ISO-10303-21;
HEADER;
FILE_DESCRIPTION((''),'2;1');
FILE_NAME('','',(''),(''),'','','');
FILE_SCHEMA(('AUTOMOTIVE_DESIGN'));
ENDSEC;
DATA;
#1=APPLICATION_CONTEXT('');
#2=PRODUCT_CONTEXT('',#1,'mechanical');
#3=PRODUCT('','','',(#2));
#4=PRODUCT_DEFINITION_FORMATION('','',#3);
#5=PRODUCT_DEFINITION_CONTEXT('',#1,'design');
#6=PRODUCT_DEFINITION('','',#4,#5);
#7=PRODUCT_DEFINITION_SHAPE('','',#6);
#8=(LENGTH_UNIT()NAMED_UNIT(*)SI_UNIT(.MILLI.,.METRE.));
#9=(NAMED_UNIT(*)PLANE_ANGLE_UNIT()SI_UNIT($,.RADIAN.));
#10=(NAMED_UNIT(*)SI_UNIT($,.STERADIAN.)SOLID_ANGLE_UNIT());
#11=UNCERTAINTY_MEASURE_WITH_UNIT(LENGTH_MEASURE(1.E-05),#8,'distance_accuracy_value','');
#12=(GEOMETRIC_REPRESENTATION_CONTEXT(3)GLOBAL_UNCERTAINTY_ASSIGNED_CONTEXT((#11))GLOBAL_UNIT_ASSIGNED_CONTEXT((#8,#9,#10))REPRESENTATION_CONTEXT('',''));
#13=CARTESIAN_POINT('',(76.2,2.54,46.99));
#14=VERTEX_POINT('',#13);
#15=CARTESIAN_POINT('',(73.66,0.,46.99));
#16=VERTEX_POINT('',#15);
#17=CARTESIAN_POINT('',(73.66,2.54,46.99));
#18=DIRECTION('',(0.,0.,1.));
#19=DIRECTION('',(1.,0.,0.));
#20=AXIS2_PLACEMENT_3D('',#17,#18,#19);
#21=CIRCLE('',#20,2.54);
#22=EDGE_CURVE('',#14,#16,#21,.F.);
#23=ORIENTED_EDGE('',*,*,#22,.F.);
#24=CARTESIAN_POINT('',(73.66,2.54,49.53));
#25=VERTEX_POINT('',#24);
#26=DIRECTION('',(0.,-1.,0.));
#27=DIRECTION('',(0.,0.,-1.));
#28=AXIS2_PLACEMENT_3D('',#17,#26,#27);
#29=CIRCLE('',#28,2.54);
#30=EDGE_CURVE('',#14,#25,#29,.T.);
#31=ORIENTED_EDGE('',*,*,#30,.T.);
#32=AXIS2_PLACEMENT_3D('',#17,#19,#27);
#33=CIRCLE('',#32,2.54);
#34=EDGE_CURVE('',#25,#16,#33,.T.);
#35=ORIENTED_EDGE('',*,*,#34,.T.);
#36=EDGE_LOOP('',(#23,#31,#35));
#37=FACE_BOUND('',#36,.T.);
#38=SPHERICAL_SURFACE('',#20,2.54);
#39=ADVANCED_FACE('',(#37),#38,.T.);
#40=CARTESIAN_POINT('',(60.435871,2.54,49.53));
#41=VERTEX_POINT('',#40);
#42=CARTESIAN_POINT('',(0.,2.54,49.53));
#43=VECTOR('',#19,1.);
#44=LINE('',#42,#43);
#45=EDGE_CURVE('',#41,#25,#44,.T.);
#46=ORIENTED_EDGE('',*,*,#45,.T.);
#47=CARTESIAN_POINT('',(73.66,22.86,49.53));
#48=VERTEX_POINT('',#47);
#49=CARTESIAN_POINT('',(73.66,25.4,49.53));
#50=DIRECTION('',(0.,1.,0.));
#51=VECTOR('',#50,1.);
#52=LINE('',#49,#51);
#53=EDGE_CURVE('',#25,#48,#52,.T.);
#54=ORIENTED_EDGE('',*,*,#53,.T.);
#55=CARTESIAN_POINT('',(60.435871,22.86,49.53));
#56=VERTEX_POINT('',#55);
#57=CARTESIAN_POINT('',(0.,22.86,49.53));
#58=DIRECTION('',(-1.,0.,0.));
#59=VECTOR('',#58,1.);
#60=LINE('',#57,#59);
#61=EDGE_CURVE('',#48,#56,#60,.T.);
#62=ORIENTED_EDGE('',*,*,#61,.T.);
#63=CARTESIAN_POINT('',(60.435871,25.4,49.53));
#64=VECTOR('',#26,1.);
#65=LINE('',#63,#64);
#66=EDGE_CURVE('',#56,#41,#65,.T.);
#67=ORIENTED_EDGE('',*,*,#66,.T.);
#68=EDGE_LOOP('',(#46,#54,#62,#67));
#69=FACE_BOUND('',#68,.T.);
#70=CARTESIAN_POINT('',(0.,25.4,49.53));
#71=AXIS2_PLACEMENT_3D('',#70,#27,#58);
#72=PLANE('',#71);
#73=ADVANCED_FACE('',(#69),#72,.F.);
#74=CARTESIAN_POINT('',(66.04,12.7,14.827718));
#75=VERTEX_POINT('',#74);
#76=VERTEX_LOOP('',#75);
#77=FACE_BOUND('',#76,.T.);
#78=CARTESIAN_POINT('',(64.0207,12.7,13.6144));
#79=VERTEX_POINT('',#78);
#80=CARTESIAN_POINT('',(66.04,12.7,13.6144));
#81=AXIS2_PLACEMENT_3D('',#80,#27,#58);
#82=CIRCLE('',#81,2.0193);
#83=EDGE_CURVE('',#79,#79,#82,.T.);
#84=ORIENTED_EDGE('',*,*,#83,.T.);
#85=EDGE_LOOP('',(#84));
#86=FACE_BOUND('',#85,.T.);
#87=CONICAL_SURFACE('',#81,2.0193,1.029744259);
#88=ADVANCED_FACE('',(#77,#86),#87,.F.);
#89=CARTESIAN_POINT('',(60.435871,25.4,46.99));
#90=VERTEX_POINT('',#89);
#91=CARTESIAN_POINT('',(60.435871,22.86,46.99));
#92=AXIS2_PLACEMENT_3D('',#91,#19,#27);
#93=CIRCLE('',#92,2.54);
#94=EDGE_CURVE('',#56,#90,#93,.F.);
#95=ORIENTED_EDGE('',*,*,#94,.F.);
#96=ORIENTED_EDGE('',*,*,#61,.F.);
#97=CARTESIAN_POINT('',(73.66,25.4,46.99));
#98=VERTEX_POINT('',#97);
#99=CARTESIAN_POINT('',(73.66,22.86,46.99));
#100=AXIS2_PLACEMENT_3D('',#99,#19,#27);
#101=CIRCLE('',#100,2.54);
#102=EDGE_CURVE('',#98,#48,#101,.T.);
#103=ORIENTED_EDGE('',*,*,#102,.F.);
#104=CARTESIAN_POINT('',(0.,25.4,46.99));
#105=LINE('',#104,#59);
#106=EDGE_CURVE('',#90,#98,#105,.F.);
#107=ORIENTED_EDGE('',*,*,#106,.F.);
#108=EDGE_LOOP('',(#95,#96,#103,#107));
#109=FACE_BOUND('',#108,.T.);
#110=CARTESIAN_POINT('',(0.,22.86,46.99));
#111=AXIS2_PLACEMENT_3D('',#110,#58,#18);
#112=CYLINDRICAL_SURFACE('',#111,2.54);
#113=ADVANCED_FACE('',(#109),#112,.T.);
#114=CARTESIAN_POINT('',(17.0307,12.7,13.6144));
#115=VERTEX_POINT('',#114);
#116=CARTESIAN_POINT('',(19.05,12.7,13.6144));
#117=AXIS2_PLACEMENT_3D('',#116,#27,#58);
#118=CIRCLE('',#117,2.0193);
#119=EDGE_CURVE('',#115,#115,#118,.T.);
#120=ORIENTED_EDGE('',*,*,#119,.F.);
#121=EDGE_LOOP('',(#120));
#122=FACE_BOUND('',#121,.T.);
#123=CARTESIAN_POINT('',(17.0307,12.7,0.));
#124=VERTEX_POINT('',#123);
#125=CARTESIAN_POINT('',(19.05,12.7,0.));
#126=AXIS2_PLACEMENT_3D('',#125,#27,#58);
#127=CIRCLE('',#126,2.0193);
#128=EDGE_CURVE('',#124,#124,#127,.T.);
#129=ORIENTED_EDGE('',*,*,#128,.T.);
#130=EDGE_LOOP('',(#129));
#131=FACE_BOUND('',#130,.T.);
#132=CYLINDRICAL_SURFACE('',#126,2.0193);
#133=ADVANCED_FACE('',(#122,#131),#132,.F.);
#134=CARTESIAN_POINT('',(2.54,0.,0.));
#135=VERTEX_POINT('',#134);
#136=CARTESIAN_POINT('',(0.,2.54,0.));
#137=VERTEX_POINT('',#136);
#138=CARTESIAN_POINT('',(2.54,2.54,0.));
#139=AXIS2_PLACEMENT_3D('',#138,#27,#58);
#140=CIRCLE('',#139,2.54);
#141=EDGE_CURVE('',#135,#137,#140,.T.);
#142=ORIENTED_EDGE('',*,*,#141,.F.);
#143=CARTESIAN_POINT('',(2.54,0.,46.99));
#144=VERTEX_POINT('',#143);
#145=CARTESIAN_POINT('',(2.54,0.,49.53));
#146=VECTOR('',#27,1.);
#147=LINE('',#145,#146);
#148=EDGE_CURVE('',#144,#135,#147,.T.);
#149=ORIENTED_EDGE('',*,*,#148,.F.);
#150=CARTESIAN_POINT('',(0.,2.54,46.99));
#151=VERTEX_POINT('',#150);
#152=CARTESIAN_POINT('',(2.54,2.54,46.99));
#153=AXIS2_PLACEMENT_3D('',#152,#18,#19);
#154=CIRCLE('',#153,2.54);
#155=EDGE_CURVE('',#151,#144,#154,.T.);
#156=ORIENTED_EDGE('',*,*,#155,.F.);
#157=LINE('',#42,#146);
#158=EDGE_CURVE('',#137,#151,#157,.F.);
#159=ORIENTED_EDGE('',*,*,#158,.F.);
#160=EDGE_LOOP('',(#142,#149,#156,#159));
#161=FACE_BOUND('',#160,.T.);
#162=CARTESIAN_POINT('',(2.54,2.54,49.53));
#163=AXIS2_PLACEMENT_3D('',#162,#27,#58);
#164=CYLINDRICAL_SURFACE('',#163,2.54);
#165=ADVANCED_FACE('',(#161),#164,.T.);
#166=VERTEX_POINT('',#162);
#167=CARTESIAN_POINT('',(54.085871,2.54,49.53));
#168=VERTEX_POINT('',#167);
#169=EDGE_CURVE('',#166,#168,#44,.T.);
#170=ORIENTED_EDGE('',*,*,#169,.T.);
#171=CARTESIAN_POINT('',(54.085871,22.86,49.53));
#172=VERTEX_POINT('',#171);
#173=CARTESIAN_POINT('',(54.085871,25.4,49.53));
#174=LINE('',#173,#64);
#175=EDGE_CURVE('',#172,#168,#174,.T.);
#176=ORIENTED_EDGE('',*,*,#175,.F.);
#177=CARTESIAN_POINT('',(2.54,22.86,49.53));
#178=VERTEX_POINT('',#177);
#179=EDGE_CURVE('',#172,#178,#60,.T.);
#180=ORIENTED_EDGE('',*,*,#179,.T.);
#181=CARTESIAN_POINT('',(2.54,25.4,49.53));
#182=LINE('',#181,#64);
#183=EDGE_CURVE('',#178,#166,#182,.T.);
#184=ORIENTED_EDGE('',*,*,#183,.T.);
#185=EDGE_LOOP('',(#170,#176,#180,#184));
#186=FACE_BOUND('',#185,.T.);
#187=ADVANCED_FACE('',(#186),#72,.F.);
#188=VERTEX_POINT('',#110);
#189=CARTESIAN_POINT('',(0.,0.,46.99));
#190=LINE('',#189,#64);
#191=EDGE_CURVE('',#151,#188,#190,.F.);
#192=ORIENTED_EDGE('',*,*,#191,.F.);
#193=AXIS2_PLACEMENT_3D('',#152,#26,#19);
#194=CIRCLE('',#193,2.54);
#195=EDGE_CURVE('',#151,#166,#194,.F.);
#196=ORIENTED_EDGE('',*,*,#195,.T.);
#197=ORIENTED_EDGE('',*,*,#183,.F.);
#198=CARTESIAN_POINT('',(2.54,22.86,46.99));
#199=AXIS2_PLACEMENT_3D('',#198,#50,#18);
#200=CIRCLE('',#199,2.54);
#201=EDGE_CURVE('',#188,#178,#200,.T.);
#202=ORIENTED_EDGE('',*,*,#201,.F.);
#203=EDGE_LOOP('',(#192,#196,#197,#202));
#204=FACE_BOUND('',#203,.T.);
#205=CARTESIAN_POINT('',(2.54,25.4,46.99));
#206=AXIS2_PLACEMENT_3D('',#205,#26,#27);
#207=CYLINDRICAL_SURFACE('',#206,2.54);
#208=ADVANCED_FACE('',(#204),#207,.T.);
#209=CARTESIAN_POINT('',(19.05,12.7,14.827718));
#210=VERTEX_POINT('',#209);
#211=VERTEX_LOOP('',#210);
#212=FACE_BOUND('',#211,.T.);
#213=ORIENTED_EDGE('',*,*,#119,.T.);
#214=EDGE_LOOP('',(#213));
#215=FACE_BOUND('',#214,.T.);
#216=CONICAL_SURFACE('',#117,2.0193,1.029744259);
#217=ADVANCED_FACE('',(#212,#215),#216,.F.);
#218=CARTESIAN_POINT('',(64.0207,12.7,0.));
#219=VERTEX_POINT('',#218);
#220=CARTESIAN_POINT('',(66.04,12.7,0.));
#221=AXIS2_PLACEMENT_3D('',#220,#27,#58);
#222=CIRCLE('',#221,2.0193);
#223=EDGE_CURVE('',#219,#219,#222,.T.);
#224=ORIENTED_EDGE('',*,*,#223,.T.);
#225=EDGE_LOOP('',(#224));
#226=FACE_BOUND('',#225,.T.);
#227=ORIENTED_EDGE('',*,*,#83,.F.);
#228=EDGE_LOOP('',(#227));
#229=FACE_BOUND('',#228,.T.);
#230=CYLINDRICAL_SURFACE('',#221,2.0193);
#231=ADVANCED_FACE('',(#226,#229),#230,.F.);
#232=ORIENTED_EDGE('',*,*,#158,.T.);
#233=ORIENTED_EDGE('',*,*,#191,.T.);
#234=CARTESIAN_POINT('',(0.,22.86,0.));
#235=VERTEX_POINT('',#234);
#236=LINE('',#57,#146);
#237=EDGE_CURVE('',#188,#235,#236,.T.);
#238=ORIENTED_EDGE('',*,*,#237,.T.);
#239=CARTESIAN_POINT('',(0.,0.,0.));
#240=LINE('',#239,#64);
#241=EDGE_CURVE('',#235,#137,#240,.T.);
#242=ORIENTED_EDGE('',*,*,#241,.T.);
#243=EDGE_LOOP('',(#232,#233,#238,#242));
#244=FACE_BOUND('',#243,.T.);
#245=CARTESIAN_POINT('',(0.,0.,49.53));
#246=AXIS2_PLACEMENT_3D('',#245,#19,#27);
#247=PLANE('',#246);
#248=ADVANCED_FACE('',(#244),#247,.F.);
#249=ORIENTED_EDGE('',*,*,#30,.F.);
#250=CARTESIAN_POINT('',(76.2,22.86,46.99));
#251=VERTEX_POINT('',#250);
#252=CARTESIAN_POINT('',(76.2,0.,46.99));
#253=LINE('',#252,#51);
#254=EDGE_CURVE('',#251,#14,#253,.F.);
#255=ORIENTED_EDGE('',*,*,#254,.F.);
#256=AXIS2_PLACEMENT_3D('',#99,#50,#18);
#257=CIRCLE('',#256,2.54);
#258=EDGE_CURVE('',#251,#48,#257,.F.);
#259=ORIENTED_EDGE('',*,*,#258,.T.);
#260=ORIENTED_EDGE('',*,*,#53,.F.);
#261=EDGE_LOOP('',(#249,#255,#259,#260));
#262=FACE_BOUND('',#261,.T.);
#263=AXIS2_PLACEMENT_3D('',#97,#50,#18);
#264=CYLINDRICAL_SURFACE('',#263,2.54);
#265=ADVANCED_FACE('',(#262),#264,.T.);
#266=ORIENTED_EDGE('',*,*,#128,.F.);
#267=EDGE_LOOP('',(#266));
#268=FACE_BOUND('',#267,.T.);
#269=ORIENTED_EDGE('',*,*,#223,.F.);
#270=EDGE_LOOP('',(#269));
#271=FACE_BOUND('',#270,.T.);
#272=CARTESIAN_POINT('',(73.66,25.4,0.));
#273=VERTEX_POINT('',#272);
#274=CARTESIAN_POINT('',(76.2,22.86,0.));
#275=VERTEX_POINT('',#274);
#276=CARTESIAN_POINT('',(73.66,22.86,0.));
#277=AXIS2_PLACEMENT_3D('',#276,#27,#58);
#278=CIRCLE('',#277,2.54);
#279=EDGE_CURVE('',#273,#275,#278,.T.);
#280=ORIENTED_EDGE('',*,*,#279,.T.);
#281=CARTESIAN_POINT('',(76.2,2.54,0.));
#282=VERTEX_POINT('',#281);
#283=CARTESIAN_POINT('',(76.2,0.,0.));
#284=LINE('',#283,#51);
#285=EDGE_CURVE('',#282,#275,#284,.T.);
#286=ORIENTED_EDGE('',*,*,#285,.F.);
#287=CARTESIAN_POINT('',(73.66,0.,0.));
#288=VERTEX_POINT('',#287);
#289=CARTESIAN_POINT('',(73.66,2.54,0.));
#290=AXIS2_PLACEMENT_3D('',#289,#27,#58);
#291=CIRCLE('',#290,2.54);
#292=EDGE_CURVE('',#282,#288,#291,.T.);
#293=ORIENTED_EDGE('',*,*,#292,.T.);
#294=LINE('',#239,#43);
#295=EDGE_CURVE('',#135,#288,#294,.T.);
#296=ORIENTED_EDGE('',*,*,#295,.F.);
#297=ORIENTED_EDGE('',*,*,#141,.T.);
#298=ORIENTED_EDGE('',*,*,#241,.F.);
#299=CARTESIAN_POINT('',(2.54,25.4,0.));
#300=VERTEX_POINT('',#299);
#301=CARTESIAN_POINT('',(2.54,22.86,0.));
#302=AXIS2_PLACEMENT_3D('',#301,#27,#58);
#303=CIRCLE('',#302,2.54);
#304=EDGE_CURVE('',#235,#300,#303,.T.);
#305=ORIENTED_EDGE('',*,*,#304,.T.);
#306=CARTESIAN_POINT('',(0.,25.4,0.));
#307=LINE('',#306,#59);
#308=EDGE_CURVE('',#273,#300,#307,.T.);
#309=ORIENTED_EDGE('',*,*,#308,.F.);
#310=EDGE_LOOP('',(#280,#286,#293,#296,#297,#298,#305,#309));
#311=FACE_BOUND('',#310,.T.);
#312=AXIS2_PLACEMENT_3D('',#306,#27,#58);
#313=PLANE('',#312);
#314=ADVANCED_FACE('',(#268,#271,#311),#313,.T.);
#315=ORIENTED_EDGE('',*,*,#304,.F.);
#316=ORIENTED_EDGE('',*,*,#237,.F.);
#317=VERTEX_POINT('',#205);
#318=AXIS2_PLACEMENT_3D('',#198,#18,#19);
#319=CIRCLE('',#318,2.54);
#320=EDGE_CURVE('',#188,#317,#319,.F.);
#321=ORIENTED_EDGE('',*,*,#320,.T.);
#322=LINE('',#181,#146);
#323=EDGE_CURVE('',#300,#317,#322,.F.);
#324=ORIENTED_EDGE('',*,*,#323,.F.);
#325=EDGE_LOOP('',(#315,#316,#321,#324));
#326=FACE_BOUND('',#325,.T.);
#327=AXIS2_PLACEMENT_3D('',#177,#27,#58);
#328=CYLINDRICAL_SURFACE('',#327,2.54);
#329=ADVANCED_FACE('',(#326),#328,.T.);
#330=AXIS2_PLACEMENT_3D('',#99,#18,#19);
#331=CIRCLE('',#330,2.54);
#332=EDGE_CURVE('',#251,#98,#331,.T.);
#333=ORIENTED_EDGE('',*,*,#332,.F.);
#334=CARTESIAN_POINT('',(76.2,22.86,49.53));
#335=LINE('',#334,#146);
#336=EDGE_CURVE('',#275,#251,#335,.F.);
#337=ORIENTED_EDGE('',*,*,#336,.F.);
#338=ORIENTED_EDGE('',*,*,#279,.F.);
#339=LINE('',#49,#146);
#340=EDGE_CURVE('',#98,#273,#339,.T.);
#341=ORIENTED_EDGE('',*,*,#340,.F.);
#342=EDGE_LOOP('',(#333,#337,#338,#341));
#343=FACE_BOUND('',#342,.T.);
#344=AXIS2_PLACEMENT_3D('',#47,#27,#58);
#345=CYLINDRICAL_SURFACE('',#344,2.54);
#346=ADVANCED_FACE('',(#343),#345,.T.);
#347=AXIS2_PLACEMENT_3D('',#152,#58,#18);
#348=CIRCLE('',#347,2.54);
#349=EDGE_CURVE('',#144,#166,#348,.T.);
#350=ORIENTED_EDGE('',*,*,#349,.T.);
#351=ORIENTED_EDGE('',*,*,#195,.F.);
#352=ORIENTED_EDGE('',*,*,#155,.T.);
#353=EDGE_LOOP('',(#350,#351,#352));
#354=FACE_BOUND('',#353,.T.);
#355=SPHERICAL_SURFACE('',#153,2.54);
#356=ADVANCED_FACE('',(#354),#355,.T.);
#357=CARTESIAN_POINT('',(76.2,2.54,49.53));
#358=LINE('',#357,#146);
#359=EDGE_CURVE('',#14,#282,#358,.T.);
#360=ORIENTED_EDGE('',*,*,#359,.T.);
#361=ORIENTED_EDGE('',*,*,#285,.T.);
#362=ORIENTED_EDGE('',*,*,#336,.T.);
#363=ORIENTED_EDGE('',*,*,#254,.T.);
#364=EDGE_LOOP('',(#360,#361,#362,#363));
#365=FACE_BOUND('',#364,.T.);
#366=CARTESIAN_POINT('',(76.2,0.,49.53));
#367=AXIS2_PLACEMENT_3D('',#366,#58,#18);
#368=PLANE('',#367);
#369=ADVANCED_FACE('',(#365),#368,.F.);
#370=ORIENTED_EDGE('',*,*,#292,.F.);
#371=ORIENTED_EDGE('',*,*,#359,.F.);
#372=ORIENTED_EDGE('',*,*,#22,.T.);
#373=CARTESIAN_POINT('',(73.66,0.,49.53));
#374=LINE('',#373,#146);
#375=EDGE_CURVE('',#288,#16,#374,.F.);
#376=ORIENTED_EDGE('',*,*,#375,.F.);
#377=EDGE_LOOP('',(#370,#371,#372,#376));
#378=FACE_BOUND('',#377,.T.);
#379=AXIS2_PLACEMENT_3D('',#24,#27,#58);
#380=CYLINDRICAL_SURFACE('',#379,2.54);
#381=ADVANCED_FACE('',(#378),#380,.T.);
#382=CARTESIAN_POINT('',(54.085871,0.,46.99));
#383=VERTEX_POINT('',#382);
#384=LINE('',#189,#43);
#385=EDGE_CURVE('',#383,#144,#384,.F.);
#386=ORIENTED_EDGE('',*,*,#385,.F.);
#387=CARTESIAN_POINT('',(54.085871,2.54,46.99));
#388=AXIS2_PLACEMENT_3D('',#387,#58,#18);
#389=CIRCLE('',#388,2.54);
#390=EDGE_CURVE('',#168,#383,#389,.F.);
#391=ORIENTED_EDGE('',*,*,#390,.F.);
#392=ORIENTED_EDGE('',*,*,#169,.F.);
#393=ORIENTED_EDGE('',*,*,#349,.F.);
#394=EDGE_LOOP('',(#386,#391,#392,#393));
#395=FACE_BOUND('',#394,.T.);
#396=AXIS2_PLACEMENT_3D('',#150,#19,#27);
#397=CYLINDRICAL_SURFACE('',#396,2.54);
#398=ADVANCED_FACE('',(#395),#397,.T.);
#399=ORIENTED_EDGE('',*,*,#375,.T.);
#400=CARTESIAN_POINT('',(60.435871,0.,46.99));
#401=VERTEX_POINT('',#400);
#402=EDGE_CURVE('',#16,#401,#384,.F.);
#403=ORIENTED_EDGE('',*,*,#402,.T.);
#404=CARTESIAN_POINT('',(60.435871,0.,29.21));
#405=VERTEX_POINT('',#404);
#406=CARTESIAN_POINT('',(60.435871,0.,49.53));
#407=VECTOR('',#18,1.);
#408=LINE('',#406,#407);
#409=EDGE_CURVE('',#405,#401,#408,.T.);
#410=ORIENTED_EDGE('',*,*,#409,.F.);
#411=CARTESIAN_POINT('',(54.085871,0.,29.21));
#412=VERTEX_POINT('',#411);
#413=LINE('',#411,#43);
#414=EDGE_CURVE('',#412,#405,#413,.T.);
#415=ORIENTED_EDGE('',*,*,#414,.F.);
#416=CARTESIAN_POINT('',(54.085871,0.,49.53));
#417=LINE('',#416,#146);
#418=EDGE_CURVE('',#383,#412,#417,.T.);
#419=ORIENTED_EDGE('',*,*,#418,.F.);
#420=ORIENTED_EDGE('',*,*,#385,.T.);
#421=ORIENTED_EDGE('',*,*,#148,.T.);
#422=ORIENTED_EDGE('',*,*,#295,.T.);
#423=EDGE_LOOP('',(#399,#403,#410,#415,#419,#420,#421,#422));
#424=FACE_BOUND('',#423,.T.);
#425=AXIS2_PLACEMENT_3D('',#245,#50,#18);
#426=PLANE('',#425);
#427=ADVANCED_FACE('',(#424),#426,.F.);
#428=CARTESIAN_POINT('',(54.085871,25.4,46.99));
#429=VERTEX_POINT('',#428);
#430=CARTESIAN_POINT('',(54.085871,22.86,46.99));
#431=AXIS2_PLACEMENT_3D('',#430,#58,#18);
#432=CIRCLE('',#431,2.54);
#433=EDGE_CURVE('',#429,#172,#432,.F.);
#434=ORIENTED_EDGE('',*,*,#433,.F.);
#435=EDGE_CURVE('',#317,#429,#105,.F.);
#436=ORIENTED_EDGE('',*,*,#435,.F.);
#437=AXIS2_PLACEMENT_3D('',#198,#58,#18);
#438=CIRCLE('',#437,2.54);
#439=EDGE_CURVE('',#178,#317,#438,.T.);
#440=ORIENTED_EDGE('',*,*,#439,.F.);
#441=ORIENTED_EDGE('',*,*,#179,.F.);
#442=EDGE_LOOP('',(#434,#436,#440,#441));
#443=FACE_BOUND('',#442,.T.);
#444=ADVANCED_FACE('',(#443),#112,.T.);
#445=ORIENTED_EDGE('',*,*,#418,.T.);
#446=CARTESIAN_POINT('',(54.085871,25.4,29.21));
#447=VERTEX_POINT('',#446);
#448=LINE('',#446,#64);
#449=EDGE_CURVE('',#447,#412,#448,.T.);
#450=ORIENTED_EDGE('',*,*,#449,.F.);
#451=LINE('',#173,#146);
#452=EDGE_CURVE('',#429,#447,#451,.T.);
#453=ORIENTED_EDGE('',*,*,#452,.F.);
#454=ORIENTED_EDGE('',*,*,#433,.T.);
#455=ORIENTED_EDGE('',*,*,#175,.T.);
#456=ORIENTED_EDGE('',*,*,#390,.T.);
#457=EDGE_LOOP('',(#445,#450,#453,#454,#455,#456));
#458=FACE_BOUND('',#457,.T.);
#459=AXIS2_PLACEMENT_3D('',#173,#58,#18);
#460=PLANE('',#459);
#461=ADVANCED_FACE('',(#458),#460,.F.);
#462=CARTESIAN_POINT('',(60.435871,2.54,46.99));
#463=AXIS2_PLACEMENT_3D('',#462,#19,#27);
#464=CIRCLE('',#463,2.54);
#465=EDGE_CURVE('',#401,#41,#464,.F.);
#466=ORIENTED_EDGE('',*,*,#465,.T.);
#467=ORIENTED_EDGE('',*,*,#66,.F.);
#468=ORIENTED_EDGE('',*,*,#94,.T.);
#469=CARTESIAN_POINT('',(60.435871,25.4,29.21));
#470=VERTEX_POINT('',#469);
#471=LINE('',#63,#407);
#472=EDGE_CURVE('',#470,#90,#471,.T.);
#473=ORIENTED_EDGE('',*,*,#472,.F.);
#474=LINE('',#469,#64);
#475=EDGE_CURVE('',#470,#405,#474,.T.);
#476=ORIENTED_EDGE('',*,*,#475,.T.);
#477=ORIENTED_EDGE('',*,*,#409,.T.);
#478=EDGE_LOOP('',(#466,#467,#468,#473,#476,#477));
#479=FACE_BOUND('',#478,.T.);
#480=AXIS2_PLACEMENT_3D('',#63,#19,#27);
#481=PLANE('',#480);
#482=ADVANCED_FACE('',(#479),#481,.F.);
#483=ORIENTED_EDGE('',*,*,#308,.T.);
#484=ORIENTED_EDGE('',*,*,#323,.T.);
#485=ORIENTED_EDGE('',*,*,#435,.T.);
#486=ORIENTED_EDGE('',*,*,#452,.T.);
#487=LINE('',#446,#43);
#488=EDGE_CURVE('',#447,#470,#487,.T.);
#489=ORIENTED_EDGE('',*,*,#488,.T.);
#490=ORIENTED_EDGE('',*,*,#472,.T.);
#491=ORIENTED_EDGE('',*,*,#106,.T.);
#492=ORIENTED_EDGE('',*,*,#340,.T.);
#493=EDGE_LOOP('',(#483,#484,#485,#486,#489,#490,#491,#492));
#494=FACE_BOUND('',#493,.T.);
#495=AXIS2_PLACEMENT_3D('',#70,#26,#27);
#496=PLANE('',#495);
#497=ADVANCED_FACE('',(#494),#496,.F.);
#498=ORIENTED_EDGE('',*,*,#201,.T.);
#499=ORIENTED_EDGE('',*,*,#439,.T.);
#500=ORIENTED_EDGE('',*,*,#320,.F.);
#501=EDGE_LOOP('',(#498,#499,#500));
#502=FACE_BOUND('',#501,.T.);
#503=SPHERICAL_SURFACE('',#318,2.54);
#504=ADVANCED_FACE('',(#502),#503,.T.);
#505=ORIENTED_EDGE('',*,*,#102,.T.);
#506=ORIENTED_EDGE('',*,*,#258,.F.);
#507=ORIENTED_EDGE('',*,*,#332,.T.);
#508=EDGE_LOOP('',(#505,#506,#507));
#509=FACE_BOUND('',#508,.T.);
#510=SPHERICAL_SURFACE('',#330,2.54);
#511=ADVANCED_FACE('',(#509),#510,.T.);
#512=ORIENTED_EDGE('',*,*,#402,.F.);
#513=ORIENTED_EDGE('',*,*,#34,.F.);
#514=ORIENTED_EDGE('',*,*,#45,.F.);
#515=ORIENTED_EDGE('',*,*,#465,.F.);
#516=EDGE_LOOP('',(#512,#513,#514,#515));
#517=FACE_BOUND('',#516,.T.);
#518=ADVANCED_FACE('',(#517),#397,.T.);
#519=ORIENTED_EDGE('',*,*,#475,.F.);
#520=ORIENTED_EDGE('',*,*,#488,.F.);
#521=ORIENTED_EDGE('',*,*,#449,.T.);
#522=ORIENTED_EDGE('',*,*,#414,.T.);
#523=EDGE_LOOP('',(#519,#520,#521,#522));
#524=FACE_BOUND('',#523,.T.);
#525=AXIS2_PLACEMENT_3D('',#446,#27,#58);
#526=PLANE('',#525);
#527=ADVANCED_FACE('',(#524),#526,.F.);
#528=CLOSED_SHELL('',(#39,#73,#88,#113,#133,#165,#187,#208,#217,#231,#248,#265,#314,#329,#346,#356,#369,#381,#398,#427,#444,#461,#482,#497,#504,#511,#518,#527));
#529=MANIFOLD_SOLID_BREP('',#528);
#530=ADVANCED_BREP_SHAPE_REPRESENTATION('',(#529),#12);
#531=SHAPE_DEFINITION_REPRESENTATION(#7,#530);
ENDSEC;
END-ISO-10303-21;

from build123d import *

# Parameters (mm, degrees)
SKETCH1_W                  = 76.2
SKETCH1_H                  = 25.4
EXTRUDE1_DEPTH             = 49.53
SKETCH2_W                  = 6.35
SKETCH2_H                  = 20.32
EXTRUDE2_DEPTH             = 95.36535858
FILLET1_R                  = 2.54
F_10_32_TAPPED_HOLE1_D     = 4.0386
F_10_32_TAPPED_HOLE1_DEPTH = 13.6144
F_10_32_TAPPED_HOLE1_TIP   = 1.213317848


with BuildPart() as part:
    # Sketch1 → Extrude1 (new body)
    with BuildSketch(Plane.XY):
        with Locations((38.1, 12.7)):
            Rectangle(SKETCH1_W, SKETCH1_H)
    extrude(amount=EXTRUDE1_DEPTH)

    # Sketch2 → Extrude2 (cut, through all)
    with BuildSketch(Plane.XZ):
        with Locations((57.260871328, 39.37)):
            Rectangle(SKETCH2_W, SKETCH2_H)
    extrude(amount=-EXTRUDE2_DEPTH, mode=Mode.SUBTRACT)

    # Fillet1
    fillet1_edges = [part.edges().sort_by_distance(p)[0] for p in [
        (76.2, 12.7, 49.53),
        (68.317935664, 25.4, 49.53),
        (68.317935664, 0, 49.53),
        (27.042935664, 25.4, 49.53),
        (0, 12.7, 49.53),
        (27.042935664, 0, 49.53),
        (0, 25.4, 24.765),
        (76.2, 25.4, 24.765),
        (76.2, 0, 24.765),
        (0, 0, 24.765),
    ]]
    fillet(fillet1_edges, radius=FILLET1_R)

    # #10-32 Tapped Hole1
    with Locations(Plane(origin=(66.04, 12.7, 0), x_dir=(-1, 0, 0), z_dir=(0, 0, -1))):
        with Locations((0, 0), (46.99, 0)):
            Hole(F_10_32_TAPPED_HOLE1_D / 2, depth=F_10_32_TAPPED_HOLE1_DEPTH)
            with Locations((0, 0, -(F_10_32_TAPPED_HOLE1_DEPTH + F_10_32_TAPPED_HOLE1_TIP / 2))):  # 118° drill point
                Cone(0, F_10_32_TAPPED_HOLE1_D / 2, F_10_32_TAPPED_HOLE1_TIP, mode=Mode.SUBTRACT)


solid = part.part
